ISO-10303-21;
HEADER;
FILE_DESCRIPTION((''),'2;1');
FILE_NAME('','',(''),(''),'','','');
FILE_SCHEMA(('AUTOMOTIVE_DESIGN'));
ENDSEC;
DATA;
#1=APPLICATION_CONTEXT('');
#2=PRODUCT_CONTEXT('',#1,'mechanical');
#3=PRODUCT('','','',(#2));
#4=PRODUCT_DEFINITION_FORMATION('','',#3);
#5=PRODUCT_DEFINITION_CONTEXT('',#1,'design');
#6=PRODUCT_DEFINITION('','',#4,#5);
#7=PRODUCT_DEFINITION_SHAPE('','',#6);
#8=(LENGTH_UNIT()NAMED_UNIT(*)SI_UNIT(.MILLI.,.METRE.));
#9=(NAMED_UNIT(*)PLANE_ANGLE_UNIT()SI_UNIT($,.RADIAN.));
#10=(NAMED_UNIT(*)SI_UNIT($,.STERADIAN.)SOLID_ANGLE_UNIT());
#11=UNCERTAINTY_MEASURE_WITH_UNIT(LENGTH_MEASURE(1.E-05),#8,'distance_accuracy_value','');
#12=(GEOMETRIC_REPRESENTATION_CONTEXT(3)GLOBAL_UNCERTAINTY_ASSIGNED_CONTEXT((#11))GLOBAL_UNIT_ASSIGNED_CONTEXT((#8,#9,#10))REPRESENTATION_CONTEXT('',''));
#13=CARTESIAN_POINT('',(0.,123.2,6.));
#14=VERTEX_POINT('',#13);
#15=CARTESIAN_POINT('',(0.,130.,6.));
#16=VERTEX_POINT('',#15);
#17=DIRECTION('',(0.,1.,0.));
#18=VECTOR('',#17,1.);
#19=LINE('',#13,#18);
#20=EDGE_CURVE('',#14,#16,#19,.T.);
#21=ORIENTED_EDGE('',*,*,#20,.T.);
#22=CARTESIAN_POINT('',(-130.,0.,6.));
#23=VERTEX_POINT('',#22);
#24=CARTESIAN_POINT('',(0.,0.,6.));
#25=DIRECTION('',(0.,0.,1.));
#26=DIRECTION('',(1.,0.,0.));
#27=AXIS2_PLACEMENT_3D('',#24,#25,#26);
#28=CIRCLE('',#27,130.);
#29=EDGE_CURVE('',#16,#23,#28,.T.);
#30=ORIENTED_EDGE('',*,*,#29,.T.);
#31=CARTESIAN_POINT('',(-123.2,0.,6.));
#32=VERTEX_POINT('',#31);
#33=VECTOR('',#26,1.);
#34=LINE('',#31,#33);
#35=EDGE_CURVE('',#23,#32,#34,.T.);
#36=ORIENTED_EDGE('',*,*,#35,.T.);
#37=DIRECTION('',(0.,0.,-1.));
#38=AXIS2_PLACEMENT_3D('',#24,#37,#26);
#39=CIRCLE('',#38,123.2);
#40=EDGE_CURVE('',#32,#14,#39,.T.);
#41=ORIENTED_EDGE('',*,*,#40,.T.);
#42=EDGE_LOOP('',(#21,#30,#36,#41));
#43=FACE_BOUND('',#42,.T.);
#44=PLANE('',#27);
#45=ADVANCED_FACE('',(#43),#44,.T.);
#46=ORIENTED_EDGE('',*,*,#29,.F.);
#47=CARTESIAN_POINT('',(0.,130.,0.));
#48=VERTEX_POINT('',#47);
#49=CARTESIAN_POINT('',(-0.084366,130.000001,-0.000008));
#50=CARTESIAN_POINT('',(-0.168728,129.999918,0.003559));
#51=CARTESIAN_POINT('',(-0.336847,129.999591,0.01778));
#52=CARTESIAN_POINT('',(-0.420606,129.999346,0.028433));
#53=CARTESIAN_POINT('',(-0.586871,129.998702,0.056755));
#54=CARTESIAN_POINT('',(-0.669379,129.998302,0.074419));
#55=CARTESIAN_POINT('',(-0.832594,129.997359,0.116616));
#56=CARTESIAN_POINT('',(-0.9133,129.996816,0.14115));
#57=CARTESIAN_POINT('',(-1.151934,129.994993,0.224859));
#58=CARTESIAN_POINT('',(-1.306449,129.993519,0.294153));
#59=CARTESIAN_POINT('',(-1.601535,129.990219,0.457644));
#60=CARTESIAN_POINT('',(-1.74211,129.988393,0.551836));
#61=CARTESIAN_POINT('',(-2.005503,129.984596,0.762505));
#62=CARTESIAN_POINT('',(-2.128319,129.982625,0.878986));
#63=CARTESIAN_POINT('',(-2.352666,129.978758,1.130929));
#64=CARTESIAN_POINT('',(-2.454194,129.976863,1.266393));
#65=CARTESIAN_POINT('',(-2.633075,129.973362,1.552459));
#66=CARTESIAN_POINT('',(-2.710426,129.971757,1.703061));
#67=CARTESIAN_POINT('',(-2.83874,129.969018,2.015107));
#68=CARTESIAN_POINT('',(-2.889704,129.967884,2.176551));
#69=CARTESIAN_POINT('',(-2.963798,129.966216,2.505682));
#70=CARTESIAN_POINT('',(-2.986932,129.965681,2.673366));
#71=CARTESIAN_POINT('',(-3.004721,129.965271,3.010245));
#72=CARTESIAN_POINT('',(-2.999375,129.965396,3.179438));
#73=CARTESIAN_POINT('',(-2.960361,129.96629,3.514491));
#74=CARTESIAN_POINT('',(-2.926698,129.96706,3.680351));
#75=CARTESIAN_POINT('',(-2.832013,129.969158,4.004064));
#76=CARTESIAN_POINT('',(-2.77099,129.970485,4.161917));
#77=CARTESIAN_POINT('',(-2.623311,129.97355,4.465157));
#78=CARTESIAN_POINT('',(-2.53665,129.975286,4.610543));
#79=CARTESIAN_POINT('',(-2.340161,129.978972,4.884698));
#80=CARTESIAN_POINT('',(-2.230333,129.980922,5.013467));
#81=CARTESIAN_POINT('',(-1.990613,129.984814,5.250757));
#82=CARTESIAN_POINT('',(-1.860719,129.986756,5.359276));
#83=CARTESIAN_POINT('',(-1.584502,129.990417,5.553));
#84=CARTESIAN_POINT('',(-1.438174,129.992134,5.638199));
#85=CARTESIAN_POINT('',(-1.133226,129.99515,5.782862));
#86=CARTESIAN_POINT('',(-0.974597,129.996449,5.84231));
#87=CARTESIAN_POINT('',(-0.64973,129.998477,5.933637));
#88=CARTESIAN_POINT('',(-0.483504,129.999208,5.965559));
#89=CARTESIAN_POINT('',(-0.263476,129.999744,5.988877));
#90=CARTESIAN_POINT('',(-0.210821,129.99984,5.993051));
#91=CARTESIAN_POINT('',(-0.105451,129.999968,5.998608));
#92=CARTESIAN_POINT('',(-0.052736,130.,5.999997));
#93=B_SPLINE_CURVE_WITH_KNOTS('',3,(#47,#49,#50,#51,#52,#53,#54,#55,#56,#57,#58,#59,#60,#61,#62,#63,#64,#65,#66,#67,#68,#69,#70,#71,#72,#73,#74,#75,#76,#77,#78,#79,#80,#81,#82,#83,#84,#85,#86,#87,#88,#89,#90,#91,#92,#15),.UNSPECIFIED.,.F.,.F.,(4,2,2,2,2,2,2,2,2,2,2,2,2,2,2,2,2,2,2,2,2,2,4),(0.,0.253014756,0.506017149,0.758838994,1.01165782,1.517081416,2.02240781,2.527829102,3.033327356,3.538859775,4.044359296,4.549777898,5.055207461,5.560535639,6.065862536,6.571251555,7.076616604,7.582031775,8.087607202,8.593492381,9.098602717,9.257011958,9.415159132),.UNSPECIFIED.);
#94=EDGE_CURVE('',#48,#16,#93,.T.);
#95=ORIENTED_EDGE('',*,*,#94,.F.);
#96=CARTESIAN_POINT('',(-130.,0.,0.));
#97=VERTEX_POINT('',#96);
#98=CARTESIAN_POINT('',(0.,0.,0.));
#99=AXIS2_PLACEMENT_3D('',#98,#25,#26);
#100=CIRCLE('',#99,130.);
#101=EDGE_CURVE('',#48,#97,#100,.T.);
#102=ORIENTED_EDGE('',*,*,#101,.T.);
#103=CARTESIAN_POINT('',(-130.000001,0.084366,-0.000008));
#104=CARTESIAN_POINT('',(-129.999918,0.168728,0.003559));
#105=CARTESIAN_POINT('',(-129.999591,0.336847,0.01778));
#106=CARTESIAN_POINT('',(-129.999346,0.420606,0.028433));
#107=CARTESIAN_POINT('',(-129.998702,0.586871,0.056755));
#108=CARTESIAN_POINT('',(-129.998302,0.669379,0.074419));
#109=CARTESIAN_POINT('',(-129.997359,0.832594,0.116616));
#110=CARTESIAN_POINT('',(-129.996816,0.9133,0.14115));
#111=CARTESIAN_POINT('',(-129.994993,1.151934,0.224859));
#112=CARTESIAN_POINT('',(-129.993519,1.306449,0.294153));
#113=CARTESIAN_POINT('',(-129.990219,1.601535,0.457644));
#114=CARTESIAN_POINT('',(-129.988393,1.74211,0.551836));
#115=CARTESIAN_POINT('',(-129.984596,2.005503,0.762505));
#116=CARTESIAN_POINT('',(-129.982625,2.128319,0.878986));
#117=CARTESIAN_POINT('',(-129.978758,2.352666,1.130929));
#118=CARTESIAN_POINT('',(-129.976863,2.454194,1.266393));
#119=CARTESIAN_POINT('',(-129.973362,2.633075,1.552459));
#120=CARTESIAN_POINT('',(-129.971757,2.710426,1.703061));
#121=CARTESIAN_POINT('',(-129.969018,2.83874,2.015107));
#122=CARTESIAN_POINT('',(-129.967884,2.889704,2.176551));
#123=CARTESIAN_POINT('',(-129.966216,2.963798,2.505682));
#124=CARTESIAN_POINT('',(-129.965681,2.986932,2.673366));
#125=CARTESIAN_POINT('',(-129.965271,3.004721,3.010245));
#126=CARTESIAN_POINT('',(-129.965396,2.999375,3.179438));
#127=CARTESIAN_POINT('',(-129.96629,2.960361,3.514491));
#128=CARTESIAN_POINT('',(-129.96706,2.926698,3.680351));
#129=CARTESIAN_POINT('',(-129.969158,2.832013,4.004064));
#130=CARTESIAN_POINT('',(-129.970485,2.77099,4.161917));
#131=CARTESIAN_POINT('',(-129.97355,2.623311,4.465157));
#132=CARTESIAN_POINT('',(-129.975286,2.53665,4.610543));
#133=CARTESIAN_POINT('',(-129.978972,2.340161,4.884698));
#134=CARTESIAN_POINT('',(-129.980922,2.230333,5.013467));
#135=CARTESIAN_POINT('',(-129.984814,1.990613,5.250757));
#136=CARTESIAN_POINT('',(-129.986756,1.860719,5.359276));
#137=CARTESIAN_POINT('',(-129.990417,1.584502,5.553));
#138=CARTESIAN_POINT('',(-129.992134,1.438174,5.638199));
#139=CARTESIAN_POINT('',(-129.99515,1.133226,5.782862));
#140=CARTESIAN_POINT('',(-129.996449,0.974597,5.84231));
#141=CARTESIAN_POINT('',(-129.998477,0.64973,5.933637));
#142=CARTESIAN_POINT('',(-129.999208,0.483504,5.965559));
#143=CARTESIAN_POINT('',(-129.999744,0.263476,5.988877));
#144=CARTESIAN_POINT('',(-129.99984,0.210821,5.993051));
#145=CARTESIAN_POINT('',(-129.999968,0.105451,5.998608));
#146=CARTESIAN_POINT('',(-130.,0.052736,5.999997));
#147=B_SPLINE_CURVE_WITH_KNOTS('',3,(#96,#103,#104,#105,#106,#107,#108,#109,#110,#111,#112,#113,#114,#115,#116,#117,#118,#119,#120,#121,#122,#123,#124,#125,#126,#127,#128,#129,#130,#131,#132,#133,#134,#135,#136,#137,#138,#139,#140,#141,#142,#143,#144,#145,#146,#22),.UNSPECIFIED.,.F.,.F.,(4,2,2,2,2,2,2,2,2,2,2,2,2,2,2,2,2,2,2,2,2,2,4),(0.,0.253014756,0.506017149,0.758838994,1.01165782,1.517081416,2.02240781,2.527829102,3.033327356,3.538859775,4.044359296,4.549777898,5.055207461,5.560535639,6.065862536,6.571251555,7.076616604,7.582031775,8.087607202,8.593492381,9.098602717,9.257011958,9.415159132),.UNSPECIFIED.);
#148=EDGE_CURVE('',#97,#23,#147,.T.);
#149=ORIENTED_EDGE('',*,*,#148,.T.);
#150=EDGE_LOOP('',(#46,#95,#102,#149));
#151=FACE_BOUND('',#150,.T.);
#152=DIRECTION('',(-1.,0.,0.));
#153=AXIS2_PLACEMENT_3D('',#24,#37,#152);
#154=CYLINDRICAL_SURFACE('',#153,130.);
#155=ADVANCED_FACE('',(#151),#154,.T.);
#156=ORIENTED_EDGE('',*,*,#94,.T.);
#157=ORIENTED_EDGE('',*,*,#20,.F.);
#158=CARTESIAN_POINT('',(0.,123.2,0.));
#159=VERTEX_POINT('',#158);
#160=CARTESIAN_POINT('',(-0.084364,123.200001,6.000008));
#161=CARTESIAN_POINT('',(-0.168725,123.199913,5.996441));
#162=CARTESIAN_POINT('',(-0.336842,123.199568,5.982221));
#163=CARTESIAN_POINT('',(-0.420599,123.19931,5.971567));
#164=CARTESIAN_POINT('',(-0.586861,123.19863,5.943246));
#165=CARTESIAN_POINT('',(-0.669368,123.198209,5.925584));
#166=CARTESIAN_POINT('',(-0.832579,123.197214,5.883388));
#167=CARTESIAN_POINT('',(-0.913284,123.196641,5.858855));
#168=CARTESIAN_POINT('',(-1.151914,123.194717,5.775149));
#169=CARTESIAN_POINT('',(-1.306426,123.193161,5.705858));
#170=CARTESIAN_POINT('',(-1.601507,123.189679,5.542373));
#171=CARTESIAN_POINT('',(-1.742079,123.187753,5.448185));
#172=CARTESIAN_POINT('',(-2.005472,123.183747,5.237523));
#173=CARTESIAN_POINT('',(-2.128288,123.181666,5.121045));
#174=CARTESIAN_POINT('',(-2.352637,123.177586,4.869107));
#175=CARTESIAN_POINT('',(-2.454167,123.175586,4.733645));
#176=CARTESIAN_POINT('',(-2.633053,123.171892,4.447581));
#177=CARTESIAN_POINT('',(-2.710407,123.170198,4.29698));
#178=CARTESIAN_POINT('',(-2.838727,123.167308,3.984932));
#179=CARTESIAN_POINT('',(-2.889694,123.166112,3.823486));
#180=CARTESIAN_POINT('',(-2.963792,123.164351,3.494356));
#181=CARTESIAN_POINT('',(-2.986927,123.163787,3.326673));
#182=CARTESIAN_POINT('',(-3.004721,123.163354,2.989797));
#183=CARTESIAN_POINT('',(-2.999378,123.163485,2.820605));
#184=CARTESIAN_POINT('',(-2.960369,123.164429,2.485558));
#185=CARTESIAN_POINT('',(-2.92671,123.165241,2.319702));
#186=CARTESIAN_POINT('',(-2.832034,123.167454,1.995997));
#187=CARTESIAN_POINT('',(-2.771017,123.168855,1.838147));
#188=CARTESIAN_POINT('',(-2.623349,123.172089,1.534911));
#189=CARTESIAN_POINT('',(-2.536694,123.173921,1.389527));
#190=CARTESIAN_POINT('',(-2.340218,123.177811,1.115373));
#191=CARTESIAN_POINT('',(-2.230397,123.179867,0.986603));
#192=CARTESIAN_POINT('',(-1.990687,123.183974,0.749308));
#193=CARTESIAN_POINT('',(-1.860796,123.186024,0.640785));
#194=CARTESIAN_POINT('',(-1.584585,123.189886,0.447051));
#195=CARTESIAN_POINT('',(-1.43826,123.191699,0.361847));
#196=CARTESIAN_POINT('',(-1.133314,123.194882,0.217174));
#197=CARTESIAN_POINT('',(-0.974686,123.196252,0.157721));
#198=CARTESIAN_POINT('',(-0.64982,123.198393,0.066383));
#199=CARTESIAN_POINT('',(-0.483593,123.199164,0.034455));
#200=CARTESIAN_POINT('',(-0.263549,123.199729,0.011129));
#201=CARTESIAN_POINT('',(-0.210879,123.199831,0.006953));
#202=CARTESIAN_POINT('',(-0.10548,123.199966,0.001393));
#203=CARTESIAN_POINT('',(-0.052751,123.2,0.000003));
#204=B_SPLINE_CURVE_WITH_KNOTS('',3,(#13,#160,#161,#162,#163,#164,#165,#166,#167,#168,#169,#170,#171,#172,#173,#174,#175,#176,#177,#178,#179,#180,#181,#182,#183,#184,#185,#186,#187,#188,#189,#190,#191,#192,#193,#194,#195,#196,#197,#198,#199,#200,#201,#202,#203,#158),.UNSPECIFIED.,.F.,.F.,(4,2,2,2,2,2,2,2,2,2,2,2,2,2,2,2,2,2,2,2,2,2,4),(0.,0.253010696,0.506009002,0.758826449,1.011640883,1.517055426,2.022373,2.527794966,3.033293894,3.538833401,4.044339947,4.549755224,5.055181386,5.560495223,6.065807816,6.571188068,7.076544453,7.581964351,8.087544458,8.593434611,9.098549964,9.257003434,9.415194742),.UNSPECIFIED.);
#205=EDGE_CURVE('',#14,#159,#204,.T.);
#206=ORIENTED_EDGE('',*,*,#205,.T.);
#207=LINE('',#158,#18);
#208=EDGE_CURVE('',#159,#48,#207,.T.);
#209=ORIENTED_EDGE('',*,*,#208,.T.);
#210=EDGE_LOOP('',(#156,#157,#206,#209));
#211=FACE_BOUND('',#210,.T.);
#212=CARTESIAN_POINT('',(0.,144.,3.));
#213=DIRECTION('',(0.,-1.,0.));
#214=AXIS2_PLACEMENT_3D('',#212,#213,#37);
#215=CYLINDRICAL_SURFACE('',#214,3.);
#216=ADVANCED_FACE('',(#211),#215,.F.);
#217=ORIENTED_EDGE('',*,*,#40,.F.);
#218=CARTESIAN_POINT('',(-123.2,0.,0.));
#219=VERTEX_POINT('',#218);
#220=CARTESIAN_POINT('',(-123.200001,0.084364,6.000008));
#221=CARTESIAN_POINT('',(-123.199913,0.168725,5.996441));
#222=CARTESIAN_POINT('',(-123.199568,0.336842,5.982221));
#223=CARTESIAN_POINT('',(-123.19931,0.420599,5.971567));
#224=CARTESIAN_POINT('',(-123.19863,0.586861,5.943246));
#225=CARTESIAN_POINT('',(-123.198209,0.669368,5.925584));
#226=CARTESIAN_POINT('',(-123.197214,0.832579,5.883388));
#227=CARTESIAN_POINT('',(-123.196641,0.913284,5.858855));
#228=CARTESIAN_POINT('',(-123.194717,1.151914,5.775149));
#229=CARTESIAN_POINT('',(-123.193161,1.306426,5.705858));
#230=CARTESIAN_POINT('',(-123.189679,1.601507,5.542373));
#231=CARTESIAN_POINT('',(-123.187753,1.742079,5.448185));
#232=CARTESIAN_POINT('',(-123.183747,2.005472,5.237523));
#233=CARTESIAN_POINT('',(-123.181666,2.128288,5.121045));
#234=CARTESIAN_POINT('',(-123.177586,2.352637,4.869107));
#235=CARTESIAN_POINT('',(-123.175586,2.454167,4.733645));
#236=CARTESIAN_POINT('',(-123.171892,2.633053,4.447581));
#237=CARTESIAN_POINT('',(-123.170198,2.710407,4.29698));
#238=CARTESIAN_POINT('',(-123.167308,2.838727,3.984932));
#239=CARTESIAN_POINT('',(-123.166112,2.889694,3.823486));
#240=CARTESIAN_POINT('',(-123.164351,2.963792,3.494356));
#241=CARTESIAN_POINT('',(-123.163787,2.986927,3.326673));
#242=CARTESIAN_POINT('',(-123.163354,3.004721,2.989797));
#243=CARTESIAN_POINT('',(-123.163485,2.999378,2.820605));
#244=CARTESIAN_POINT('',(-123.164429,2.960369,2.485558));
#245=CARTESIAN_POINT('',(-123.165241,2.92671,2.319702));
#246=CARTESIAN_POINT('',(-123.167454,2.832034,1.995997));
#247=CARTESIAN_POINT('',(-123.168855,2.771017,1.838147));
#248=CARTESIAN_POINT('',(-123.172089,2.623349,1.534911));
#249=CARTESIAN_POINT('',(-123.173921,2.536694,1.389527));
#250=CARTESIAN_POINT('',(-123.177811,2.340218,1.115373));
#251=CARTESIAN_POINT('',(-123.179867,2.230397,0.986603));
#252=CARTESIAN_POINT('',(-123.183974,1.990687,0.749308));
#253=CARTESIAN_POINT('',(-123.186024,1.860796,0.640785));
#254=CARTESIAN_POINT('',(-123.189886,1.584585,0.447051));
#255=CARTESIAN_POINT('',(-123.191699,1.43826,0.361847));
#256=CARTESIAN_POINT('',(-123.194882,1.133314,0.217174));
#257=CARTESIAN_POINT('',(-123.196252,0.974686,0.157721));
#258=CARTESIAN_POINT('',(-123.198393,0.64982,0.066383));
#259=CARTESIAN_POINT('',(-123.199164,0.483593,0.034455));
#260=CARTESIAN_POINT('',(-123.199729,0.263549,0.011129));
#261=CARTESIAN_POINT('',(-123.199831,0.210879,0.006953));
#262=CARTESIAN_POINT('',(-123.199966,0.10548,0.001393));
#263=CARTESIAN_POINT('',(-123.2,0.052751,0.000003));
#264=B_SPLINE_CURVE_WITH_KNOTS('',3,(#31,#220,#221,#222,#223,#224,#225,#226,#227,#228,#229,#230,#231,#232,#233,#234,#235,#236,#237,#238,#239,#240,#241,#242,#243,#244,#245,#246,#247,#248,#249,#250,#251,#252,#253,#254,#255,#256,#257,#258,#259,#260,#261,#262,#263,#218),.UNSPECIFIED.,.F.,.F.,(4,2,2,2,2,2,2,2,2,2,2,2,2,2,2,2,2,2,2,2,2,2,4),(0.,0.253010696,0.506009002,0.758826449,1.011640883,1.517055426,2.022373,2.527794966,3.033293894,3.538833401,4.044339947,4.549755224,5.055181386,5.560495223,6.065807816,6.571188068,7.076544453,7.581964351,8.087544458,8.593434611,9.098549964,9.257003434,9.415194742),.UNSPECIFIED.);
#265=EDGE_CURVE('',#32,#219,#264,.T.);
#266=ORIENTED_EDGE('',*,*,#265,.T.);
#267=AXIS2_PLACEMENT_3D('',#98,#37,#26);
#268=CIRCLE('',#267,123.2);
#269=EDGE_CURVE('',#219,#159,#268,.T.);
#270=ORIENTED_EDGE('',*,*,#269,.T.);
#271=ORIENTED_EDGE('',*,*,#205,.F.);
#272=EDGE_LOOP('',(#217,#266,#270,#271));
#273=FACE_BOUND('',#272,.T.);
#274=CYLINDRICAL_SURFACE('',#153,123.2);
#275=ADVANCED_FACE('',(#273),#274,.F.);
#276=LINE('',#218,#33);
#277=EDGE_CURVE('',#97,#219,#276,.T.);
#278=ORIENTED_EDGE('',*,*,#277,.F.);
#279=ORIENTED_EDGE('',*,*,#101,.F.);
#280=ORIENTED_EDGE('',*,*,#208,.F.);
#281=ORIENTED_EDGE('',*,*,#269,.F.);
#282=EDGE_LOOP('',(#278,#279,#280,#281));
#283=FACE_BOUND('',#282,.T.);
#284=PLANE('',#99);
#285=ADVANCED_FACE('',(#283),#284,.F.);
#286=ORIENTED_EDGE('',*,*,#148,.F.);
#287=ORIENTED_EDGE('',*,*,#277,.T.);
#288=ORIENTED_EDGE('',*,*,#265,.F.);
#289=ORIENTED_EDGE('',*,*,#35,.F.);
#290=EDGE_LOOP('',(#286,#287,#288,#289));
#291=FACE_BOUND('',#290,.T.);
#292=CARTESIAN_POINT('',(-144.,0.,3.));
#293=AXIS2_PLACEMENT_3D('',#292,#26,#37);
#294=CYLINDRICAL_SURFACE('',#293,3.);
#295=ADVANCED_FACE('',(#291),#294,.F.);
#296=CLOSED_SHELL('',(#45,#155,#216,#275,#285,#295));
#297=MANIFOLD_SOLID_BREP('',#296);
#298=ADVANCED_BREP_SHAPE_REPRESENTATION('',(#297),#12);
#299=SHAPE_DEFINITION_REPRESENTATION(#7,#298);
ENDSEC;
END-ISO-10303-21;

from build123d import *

# Parameters (mm, degrees)
BOSS_EXTRUDE1_DEPTH = 6
SKETCH6_R           = 3
CUT_EXTRUDE2_DEPTH  = 144
SKETCH7_R           = 3
CUT_EXTRUDE3_DEPTH  = 144


with BuildPart() as part:
    # Sketch5 → Boss-Extrude1 (new body)
    with BuildSketch(Plane.XY):
        with BuildLine():
            Line((0, 123.2), (0, 130))
            ThreePointArc((0, 130), (-91.923881554, 91.923881554), (-130, 0))
            Line((-130, 0), (-123.2, 0))
            ThreePointArc((-123.2, 0), (-87.115555442, 87.115555442), (0, 123.2))
        make_face()
    extrude(amount=BOSS_EXTRUDE1_DEPTH)

    # Sketch6 → Cut-Extrude2 (cut)
    with BuildSketch(Plane(origin=(0, 0, 0), x_dir=(1, 0, 0), z_dir=(0, 1, 0))):
        with Locations((0, -3)):
            Circle(SKETCH6_R)
    extrude(amount=CUT_EXTRUDE2_DEPTH, mode=Mode.SUBTRACT)

    # Sketch7 → Cut-Extrude3 (cut)
    with BuildSketch(Plane(origin=(0, 0, 0), x_dir=(0, 0, -1), z_dir=(1, 0, 0))):
        with Locations((-3, 0)):
            Circle(SKETCH7_R)
    extrude(amount=-CUT_EXTRUDE3_DEPTH, mode=Mode.SUBTRACT)


solid = part.part
